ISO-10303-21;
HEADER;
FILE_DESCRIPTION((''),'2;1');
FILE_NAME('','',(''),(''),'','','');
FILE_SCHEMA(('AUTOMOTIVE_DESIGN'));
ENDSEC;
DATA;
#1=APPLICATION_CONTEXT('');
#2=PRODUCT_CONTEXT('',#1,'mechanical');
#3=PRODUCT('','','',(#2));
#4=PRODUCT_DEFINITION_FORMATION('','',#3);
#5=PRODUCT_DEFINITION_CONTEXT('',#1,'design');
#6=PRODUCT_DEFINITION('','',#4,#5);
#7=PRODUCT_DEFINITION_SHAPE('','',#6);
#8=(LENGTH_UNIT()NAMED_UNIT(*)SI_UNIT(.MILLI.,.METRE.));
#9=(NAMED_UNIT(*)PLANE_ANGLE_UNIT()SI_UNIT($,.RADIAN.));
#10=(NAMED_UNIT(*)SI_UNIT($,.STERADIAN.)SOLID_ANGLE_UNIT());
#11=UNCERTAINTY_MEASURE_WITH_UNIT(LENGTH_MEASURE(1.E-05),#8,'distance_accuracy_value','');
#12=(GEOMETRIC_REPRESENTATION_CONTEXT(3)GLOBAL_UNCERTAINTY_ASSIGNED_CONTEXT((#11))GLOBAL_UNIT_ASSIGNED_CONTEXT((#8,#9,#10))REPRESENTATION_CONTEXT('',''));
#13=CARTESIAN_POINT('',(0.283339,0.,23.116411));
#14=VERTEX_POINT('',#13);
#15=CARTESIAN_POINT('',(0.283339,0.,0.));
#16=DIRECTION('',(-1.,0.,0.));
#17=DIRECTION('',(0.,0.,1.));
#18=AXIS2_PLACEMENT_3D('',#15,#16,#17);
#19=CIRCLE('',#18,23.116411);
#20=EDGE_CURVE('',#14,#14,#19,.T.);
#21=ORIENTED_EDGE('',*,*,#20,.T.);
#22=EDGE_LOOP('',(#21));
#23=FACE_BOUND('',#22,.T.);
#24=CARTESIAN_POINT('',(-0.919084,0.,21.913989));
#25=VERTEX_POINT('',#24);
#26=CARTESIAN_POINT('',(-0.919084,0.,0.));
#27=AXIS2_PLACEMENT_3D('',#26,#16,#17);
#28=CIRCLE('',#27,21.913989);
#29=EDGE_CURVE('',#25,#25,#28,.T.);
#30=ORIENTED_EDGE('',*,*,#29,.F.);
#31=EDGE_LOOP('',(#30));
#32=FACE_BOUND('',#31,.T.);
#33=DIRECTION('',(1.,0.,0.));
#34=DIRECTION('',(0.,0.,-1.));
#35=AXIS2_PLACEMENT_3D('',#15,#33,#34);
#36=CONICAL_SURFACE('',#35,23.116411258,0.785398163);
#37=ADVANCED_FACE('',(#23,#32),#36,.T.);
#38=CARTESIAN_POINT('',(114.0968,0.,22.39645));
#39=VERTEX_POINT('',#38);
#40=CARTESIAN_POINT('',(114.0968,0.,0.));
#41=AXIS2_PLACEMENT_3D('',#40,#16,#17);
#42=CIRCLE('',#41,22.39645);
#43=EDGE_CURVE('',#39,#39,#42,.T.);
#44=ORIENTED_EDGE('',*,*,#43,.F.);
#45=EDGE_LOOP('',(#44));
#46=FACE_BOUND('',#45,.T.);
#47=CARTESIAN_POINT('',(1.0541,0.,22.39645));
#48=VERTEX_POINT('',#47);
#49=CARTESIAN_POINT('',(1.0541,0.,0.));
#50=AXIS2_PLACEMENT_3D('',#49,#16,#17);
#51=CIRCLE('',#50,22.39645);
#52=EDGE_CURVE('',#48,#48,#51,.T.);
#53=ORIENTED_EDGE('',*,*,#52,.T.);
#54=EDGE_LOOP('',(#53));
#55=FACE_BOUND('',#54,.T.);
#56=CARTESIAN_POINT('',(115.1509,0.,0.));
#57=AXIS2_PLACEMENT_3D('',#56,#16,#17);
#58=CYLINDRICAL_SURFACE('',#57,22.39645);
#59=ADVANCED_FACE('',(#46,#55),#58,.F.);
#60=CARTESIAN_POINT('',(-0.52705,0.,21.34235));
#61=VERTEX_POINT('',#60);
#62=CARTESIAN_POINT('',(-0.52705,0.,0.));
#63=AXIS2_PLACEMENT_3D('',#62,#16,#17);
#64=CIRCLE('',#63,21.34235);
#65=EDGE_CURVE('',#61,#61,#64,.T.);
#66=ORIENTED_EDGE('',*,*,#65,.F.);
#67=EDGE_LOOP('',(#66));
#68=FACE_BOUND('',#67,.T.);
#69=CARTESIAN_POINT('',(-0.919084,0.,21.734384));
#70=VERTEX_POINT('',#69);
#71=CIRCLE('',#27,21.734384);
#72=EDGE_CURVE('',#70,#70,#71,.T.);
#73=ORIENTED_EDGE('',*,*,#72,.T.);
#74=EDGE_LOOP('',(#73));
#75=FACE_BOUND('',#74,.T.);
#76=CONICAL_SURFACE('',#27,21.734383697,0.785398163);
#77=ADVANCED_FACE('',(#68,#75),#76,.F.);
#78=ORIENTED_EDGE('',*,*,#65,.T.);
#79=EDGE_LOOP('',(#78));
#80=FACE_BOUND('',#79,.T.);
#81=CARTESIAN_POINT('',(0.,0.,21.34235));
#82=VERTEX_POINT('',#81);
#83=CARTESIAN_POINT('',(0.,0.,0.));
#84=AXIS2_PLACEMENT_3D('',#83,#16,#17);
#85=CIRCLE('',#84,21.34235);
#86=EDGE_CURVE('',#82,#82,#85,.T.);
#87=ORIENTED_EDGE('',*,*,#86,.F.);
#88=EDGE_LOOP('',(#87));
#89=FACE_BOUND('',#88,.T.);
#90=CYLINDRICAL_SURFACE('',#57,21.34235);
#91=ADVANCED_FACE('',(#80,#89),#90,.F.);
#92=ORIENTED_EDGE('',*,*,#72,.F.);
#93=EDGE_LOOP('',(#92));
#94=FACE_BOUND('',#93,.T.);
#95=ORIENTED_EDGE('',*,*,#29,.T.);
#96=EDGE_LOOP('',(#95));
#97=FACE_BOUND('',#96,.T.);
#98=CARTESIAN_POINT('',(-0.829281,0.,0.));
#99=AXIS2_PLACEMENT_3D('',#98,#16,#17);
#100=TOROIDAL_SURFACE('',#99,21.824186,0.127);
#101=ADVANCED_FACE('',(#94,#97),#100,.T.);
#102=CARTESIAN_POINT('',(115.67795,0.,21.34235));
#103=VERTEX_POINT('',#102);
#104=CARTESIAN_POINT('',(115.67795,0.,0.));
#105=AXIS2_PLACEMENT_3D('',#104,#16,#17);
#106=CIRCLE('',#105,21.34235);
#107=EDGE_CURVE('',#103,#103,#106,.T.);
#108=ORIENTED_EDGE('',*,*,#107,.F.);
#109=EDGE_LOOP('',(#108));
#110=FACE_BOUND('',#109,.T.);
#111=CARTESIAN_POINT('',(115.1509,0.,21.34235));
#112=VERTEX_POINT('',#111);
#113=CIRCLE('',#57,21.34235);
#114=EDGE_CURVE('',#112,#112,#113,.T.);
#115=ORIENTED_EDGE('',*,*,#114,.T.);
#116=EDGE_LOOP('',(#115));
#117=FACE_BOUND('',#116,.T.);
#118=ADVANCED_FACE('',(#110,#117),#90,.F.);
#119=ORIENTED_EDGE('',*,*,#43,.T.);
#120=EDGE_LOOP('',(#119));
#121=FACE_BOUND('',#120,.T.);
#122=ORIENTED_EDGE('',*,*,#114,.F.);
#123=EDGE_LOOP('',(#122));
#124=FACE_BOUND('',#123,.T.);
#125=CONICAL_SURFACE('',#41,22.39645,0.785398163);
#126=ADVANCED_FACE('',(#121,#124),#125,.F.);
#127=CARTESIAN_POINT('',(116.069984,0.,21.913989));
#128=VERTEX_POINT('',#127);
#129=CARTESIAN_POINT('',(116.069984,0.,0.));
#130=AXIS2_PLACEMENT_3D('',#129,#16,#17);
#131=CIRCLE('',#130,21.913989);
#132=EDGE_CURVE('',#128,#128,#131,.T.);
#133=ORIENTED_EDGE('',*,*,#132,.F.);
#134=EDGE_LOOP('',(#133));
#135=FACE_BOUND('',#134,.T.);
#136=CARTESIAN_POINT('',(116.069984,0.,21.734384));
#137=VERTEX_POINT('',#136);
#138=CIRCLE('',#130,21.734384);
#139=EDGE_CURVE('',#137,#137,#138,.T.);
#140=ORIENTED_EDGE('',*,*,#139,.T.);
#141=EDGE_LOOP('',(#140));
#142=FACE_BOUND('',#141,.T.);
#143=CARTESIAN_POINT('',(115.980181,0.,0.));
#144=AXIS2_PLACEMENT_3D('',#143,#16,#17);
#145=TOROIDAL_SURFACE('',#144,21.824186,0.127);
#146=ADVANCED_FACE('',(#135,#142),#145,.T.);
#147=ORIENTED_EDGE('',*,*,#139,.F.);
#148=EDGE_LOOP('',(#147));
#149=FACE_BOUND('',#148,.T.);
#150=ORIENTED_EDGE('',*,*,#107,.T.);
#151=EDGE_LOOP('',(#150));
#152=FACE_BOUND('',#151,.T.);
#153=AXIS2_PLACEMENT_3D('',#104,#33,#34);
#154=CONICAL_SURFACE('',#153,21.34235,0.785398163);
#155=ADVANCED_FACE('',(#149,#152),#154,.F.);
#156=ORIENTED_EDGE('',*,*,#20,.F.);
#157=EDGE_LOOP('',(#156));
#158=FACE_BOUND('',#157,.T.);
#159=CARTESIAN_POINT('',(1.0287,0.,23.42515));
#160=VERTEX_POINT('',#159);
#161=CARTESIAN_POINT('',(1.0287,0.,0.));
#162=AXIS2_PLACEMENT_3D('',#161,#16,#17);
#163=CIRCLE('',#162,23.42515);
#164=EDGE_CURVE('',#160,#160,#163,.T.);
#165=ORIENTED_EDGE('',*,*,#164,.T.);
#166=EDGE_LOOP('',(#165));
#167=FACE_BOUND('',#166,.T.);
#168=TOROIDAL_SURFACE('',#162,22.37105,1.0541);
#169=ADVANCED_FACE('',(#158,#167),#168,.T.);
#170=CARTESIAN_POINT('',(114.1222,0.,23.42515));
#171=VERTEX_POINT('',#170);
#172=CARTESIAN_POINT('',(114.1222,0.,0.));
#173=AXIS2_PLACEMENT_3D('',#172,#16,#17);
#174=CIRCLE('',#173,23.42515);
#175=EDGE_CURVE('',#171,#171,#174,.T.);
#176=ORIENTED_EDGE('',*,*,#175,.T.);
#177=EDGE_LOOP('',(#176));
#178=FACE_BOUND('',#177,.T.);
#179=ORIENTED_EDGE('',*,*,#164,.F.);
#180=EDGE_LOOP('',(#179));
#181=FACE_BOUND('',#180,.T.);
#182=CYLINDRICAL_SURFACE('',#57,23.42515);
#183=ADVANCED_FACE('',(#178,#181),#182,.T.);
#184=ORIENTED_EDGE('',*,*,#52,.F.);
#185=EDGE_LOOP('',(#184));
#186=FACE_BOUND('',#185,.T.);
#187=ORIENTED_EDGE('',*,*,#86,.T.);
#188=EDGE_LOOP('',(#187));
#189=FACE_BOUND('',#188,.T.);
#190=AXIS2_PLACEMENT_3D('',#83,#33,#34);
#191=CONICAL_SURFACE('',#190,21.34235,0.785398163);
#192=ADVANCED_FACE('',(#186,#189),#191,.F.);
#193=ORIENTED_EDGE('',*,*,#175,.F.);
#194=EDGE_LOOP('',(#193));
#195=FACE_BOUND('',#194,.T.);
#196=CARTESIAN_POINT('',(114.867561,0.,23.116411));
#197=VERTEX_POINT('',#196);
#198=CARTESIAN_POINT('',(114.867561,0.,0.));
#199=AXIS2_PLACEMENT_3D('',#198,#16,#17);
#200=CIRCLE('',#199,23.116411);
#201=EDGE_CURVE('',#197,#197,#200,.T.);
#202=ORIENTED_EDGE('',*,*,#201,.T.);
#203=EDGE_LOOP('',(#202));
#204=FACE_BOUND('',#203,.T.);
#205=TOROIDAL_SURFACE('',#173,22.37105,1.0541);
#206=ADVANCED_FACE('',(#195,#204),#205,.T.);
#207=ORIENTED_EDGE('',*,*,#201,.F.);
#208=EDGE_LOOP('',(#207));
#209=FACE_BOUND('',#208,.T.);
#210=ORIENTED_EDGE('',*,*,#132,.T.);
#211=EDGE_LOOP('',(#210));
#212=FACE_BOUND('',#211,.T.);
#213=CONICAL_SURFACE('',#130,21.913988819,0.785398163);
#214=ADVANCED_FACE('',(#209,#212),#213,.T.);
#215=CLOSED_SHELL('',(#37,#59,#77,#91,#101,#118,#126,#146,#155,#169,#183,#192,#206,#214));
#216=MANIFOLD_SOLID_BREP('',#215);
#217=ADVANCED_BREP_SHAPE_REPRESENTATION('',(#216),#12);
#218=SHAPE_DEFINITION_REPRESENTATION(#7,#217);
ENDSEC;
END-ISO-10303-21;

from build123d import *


with BuildPart() as part:
    # Sketch1 → Revolve1 (revolve)
    with BuildSketch(Plane.XY):
        with BuildLine():
            Line((-0.919083697, 21.734383697), (-0.52705, 21.34235))
            Line((-0.52705, 21.34235), (0, 21.34235))
            Line((0, 21.34235), (1.0541, 22.39645))
            Line((1.0541, 22.39645), (114.0968, 22.39645))
            Line((114.0968, 22.39645), (115.1509, 21.34235))
            Line((115.1509, 21.34235), (115.67795, 21.34235))
            Line((115.67795, 21.34235), (116.069983697, 21.734383697))
            ThreePointArc((116.069983697, 21.734383697), (116.107181136, 21.824186258), (116.069983697, 21.913988819))
            Line((116.069983697, 21.913988819), (114.867561258, 23.116411258))
            ThreePointArc((114.867561258, 23.116411258), (114.525586606, 23.344911415), (114.1222, 23.42515))
            Line((114.1222, 23.42515), (1.0287, 23.42515))
            ThreePointArc((1.0287, 23.42515), (0.625313394, 23.344911415), (0.283338742, 23.116411258))
            Line((0.283338742, 23.116411258), (-0.919083697, 21.913988819))
            ThreePointArc((-0.919083697, 21.913988819), (-0.956281136, 21.824186258), (-0.919083697, 21.734383697))
        make_face()
    revolve(axis=Axis((115.1509, 0, 0), (-1, 0, 0)))


solid = part.part
